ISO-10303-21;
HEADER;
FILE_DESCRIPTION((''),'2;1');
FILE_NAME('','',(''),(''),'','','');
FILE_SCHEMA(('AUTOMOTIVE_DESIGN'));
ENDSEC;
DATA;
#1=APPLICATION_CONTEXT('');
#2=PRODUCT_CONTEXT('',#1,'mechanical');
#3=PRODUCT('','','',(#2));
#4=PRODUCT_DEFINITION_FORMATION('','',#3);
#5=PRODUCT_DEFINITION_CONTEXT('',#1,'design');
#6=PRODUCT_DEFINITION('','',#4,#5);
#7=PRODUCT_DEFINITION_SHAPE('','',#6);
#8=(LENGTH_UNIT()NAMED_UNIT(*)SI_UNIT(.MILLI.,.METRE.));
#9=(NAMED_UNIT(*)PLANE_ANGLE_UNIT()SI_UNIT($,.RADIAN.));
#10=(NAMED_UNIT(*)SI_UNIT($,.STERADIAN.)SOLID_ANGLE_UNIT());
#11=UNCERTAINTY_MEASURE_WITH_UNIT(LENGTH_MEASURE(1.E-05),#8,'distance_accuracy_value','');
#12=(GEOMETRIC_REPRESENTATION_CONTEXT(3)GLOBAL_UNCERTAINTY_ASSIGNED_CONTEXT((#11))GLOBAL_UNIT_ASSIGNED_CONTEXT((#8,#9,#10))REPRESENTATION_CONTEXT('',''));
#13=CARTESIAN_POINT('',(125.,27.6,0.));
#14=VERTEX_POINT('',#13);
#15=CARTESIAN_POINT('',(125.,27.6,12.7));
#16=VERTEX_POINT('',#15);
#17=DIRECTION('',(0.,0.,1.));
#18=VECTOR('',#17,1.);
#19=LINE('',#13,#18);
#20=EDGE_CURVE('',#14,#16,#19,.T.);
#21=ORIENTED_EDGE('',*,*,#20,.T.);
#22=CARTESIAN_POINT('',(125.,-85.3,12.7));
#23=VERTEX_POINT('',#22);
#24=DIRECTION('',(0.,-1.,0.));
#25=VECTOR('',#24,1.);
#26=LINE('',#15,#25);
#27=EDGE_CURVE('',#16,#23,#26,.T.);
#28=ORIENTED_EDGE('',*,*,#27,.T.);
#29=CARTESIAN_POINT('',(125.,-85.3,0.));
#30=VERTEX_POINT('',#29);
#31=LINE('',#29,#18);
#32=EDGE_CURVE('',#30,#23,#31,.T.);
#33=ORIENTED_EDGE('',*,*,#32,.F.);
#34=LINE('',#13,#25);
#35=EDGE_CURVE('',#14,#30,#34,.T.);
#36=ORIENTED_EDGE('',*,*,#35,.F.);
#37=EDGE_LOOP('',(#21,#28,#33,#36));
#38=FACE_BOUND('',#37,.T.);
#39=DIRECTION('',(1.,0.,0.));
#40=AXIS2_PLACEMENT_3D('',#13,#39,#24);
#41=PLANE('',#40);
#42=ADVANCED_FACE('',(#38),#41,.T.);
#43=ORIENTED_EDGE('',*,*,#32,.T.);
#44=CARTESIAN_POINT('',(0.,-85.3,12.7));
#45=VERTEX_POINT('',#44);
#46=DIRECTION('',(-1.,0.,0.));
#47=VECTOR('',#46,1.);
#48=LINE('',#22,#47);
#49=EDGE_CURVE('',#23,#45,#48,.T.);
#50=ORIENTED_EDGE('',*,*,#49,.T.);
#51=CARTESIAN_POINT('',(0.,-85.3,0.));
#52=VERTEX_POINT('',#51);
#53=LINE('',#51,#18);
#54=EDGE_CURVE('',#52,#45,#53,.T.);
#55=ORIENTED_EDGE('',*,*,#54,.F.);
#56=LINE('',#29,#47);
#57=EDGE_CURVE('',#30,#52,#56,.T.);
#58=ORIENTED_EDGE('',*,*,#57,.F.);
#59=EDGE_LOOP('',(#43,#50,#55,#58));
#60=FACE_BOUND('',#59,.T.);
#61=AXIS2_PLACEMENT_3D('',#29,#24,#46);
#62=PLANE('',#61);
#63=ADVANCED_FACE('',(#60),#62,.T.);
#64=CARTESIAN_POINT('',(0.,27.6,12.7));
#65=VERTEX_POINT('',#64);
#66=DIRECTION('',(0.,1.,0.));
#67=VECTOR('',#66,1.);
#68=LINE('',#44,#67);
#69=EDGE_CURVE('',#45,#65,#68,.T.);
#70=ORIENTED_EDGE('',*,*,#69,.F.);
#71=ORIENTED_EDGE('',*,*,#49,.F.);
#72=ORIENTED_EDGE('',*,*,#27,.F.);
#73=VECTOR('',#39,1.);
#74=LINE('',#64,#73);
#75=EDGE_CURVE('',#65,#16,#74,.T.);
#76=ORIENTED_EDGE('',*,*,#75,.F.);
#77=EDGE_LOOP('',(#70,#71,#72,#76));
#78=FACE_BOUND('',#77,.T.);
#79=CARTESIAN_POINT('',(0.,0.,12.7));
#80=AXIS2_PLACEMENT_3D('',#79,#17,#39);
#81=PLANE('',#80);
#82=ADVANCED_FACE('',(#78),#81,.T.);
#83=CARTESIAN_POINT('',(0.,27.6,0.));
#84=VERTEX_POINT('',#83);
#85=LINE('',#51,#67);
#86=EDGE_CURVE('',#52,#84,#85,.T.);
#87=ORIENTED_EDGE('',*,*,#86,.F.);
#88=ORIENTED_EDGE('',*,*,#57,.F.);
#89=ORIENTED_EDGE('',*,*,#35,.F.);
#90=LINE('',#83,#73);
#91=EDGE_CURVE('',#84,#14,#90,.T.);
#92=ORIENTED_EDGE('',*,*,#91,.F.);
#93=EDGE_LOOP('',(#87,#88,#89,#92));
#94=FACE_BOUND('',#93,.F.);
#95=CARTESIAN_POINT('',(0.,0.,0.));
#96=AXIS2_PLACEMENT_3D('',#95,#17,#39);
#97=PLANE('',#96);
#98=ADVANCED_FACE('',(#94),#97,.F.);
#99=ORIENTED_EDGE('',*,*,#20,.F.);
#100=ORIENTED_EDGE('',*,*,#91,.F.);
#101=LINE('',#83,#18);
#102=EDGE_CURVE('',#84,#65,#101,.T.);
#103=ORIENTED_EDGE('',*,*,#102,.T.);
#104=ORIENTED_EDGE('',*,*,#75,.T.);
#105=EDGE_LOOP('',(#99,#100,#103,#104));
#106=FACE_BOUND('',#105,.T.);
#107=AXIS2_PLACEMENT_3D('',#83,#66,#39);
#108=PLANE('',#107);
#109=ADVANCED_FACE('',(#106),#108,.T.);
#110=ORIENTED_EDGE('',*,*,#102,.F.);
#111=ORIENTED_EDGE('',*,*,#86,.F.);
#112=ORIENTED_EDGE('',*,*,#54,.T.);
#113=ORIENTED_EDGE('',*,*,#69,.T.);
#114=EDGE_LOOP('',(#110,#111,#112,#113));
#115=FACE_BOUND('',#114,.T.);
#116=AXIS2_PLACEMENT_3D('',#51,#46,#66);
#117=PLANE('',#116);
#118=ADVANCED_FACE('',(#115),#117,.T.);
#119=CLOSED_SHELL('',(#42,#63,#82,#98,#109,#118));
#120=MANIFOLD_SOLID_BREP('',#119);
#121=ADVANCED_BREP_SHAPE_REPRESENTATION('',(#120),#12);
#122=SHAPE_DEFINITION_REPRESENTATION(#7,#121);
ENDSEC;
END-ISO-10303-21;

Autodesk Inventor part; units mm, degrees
ref_plane "YZ Plane" through (0, 0, 0) normal (1, 0, 0) x (0, 1, 0)
ref_plane "XZ Plane" through (0, 0, 0) normal (0, 1, 0) x (-1, 0, 0)
ref_plane "XY Plane" through (0, 0, 0) normal (0, 0, 1) x (1, 0, 0)
sketch "Esboço2" plane through (0, 0, 0) normal (0, 0, 1) x (1, 0, 0)
  line L0 (0, 27.6) -> (125, 27.6)
  line L1 (125, 27.6) -> (125, -85.3)
  line L2 (125, -85.3) -> (0, -85.3)
  line L3 (0, -85.3) -> (0, 27.6)
  dimension "d3" = 112.9
  dimension "d4" = 125
extrude "Extrusão2" add sketch "Esboço2" along normal blind 12.7
properties part number "CHAPA_APOIO_SUPERIOR_EIXO_X"
